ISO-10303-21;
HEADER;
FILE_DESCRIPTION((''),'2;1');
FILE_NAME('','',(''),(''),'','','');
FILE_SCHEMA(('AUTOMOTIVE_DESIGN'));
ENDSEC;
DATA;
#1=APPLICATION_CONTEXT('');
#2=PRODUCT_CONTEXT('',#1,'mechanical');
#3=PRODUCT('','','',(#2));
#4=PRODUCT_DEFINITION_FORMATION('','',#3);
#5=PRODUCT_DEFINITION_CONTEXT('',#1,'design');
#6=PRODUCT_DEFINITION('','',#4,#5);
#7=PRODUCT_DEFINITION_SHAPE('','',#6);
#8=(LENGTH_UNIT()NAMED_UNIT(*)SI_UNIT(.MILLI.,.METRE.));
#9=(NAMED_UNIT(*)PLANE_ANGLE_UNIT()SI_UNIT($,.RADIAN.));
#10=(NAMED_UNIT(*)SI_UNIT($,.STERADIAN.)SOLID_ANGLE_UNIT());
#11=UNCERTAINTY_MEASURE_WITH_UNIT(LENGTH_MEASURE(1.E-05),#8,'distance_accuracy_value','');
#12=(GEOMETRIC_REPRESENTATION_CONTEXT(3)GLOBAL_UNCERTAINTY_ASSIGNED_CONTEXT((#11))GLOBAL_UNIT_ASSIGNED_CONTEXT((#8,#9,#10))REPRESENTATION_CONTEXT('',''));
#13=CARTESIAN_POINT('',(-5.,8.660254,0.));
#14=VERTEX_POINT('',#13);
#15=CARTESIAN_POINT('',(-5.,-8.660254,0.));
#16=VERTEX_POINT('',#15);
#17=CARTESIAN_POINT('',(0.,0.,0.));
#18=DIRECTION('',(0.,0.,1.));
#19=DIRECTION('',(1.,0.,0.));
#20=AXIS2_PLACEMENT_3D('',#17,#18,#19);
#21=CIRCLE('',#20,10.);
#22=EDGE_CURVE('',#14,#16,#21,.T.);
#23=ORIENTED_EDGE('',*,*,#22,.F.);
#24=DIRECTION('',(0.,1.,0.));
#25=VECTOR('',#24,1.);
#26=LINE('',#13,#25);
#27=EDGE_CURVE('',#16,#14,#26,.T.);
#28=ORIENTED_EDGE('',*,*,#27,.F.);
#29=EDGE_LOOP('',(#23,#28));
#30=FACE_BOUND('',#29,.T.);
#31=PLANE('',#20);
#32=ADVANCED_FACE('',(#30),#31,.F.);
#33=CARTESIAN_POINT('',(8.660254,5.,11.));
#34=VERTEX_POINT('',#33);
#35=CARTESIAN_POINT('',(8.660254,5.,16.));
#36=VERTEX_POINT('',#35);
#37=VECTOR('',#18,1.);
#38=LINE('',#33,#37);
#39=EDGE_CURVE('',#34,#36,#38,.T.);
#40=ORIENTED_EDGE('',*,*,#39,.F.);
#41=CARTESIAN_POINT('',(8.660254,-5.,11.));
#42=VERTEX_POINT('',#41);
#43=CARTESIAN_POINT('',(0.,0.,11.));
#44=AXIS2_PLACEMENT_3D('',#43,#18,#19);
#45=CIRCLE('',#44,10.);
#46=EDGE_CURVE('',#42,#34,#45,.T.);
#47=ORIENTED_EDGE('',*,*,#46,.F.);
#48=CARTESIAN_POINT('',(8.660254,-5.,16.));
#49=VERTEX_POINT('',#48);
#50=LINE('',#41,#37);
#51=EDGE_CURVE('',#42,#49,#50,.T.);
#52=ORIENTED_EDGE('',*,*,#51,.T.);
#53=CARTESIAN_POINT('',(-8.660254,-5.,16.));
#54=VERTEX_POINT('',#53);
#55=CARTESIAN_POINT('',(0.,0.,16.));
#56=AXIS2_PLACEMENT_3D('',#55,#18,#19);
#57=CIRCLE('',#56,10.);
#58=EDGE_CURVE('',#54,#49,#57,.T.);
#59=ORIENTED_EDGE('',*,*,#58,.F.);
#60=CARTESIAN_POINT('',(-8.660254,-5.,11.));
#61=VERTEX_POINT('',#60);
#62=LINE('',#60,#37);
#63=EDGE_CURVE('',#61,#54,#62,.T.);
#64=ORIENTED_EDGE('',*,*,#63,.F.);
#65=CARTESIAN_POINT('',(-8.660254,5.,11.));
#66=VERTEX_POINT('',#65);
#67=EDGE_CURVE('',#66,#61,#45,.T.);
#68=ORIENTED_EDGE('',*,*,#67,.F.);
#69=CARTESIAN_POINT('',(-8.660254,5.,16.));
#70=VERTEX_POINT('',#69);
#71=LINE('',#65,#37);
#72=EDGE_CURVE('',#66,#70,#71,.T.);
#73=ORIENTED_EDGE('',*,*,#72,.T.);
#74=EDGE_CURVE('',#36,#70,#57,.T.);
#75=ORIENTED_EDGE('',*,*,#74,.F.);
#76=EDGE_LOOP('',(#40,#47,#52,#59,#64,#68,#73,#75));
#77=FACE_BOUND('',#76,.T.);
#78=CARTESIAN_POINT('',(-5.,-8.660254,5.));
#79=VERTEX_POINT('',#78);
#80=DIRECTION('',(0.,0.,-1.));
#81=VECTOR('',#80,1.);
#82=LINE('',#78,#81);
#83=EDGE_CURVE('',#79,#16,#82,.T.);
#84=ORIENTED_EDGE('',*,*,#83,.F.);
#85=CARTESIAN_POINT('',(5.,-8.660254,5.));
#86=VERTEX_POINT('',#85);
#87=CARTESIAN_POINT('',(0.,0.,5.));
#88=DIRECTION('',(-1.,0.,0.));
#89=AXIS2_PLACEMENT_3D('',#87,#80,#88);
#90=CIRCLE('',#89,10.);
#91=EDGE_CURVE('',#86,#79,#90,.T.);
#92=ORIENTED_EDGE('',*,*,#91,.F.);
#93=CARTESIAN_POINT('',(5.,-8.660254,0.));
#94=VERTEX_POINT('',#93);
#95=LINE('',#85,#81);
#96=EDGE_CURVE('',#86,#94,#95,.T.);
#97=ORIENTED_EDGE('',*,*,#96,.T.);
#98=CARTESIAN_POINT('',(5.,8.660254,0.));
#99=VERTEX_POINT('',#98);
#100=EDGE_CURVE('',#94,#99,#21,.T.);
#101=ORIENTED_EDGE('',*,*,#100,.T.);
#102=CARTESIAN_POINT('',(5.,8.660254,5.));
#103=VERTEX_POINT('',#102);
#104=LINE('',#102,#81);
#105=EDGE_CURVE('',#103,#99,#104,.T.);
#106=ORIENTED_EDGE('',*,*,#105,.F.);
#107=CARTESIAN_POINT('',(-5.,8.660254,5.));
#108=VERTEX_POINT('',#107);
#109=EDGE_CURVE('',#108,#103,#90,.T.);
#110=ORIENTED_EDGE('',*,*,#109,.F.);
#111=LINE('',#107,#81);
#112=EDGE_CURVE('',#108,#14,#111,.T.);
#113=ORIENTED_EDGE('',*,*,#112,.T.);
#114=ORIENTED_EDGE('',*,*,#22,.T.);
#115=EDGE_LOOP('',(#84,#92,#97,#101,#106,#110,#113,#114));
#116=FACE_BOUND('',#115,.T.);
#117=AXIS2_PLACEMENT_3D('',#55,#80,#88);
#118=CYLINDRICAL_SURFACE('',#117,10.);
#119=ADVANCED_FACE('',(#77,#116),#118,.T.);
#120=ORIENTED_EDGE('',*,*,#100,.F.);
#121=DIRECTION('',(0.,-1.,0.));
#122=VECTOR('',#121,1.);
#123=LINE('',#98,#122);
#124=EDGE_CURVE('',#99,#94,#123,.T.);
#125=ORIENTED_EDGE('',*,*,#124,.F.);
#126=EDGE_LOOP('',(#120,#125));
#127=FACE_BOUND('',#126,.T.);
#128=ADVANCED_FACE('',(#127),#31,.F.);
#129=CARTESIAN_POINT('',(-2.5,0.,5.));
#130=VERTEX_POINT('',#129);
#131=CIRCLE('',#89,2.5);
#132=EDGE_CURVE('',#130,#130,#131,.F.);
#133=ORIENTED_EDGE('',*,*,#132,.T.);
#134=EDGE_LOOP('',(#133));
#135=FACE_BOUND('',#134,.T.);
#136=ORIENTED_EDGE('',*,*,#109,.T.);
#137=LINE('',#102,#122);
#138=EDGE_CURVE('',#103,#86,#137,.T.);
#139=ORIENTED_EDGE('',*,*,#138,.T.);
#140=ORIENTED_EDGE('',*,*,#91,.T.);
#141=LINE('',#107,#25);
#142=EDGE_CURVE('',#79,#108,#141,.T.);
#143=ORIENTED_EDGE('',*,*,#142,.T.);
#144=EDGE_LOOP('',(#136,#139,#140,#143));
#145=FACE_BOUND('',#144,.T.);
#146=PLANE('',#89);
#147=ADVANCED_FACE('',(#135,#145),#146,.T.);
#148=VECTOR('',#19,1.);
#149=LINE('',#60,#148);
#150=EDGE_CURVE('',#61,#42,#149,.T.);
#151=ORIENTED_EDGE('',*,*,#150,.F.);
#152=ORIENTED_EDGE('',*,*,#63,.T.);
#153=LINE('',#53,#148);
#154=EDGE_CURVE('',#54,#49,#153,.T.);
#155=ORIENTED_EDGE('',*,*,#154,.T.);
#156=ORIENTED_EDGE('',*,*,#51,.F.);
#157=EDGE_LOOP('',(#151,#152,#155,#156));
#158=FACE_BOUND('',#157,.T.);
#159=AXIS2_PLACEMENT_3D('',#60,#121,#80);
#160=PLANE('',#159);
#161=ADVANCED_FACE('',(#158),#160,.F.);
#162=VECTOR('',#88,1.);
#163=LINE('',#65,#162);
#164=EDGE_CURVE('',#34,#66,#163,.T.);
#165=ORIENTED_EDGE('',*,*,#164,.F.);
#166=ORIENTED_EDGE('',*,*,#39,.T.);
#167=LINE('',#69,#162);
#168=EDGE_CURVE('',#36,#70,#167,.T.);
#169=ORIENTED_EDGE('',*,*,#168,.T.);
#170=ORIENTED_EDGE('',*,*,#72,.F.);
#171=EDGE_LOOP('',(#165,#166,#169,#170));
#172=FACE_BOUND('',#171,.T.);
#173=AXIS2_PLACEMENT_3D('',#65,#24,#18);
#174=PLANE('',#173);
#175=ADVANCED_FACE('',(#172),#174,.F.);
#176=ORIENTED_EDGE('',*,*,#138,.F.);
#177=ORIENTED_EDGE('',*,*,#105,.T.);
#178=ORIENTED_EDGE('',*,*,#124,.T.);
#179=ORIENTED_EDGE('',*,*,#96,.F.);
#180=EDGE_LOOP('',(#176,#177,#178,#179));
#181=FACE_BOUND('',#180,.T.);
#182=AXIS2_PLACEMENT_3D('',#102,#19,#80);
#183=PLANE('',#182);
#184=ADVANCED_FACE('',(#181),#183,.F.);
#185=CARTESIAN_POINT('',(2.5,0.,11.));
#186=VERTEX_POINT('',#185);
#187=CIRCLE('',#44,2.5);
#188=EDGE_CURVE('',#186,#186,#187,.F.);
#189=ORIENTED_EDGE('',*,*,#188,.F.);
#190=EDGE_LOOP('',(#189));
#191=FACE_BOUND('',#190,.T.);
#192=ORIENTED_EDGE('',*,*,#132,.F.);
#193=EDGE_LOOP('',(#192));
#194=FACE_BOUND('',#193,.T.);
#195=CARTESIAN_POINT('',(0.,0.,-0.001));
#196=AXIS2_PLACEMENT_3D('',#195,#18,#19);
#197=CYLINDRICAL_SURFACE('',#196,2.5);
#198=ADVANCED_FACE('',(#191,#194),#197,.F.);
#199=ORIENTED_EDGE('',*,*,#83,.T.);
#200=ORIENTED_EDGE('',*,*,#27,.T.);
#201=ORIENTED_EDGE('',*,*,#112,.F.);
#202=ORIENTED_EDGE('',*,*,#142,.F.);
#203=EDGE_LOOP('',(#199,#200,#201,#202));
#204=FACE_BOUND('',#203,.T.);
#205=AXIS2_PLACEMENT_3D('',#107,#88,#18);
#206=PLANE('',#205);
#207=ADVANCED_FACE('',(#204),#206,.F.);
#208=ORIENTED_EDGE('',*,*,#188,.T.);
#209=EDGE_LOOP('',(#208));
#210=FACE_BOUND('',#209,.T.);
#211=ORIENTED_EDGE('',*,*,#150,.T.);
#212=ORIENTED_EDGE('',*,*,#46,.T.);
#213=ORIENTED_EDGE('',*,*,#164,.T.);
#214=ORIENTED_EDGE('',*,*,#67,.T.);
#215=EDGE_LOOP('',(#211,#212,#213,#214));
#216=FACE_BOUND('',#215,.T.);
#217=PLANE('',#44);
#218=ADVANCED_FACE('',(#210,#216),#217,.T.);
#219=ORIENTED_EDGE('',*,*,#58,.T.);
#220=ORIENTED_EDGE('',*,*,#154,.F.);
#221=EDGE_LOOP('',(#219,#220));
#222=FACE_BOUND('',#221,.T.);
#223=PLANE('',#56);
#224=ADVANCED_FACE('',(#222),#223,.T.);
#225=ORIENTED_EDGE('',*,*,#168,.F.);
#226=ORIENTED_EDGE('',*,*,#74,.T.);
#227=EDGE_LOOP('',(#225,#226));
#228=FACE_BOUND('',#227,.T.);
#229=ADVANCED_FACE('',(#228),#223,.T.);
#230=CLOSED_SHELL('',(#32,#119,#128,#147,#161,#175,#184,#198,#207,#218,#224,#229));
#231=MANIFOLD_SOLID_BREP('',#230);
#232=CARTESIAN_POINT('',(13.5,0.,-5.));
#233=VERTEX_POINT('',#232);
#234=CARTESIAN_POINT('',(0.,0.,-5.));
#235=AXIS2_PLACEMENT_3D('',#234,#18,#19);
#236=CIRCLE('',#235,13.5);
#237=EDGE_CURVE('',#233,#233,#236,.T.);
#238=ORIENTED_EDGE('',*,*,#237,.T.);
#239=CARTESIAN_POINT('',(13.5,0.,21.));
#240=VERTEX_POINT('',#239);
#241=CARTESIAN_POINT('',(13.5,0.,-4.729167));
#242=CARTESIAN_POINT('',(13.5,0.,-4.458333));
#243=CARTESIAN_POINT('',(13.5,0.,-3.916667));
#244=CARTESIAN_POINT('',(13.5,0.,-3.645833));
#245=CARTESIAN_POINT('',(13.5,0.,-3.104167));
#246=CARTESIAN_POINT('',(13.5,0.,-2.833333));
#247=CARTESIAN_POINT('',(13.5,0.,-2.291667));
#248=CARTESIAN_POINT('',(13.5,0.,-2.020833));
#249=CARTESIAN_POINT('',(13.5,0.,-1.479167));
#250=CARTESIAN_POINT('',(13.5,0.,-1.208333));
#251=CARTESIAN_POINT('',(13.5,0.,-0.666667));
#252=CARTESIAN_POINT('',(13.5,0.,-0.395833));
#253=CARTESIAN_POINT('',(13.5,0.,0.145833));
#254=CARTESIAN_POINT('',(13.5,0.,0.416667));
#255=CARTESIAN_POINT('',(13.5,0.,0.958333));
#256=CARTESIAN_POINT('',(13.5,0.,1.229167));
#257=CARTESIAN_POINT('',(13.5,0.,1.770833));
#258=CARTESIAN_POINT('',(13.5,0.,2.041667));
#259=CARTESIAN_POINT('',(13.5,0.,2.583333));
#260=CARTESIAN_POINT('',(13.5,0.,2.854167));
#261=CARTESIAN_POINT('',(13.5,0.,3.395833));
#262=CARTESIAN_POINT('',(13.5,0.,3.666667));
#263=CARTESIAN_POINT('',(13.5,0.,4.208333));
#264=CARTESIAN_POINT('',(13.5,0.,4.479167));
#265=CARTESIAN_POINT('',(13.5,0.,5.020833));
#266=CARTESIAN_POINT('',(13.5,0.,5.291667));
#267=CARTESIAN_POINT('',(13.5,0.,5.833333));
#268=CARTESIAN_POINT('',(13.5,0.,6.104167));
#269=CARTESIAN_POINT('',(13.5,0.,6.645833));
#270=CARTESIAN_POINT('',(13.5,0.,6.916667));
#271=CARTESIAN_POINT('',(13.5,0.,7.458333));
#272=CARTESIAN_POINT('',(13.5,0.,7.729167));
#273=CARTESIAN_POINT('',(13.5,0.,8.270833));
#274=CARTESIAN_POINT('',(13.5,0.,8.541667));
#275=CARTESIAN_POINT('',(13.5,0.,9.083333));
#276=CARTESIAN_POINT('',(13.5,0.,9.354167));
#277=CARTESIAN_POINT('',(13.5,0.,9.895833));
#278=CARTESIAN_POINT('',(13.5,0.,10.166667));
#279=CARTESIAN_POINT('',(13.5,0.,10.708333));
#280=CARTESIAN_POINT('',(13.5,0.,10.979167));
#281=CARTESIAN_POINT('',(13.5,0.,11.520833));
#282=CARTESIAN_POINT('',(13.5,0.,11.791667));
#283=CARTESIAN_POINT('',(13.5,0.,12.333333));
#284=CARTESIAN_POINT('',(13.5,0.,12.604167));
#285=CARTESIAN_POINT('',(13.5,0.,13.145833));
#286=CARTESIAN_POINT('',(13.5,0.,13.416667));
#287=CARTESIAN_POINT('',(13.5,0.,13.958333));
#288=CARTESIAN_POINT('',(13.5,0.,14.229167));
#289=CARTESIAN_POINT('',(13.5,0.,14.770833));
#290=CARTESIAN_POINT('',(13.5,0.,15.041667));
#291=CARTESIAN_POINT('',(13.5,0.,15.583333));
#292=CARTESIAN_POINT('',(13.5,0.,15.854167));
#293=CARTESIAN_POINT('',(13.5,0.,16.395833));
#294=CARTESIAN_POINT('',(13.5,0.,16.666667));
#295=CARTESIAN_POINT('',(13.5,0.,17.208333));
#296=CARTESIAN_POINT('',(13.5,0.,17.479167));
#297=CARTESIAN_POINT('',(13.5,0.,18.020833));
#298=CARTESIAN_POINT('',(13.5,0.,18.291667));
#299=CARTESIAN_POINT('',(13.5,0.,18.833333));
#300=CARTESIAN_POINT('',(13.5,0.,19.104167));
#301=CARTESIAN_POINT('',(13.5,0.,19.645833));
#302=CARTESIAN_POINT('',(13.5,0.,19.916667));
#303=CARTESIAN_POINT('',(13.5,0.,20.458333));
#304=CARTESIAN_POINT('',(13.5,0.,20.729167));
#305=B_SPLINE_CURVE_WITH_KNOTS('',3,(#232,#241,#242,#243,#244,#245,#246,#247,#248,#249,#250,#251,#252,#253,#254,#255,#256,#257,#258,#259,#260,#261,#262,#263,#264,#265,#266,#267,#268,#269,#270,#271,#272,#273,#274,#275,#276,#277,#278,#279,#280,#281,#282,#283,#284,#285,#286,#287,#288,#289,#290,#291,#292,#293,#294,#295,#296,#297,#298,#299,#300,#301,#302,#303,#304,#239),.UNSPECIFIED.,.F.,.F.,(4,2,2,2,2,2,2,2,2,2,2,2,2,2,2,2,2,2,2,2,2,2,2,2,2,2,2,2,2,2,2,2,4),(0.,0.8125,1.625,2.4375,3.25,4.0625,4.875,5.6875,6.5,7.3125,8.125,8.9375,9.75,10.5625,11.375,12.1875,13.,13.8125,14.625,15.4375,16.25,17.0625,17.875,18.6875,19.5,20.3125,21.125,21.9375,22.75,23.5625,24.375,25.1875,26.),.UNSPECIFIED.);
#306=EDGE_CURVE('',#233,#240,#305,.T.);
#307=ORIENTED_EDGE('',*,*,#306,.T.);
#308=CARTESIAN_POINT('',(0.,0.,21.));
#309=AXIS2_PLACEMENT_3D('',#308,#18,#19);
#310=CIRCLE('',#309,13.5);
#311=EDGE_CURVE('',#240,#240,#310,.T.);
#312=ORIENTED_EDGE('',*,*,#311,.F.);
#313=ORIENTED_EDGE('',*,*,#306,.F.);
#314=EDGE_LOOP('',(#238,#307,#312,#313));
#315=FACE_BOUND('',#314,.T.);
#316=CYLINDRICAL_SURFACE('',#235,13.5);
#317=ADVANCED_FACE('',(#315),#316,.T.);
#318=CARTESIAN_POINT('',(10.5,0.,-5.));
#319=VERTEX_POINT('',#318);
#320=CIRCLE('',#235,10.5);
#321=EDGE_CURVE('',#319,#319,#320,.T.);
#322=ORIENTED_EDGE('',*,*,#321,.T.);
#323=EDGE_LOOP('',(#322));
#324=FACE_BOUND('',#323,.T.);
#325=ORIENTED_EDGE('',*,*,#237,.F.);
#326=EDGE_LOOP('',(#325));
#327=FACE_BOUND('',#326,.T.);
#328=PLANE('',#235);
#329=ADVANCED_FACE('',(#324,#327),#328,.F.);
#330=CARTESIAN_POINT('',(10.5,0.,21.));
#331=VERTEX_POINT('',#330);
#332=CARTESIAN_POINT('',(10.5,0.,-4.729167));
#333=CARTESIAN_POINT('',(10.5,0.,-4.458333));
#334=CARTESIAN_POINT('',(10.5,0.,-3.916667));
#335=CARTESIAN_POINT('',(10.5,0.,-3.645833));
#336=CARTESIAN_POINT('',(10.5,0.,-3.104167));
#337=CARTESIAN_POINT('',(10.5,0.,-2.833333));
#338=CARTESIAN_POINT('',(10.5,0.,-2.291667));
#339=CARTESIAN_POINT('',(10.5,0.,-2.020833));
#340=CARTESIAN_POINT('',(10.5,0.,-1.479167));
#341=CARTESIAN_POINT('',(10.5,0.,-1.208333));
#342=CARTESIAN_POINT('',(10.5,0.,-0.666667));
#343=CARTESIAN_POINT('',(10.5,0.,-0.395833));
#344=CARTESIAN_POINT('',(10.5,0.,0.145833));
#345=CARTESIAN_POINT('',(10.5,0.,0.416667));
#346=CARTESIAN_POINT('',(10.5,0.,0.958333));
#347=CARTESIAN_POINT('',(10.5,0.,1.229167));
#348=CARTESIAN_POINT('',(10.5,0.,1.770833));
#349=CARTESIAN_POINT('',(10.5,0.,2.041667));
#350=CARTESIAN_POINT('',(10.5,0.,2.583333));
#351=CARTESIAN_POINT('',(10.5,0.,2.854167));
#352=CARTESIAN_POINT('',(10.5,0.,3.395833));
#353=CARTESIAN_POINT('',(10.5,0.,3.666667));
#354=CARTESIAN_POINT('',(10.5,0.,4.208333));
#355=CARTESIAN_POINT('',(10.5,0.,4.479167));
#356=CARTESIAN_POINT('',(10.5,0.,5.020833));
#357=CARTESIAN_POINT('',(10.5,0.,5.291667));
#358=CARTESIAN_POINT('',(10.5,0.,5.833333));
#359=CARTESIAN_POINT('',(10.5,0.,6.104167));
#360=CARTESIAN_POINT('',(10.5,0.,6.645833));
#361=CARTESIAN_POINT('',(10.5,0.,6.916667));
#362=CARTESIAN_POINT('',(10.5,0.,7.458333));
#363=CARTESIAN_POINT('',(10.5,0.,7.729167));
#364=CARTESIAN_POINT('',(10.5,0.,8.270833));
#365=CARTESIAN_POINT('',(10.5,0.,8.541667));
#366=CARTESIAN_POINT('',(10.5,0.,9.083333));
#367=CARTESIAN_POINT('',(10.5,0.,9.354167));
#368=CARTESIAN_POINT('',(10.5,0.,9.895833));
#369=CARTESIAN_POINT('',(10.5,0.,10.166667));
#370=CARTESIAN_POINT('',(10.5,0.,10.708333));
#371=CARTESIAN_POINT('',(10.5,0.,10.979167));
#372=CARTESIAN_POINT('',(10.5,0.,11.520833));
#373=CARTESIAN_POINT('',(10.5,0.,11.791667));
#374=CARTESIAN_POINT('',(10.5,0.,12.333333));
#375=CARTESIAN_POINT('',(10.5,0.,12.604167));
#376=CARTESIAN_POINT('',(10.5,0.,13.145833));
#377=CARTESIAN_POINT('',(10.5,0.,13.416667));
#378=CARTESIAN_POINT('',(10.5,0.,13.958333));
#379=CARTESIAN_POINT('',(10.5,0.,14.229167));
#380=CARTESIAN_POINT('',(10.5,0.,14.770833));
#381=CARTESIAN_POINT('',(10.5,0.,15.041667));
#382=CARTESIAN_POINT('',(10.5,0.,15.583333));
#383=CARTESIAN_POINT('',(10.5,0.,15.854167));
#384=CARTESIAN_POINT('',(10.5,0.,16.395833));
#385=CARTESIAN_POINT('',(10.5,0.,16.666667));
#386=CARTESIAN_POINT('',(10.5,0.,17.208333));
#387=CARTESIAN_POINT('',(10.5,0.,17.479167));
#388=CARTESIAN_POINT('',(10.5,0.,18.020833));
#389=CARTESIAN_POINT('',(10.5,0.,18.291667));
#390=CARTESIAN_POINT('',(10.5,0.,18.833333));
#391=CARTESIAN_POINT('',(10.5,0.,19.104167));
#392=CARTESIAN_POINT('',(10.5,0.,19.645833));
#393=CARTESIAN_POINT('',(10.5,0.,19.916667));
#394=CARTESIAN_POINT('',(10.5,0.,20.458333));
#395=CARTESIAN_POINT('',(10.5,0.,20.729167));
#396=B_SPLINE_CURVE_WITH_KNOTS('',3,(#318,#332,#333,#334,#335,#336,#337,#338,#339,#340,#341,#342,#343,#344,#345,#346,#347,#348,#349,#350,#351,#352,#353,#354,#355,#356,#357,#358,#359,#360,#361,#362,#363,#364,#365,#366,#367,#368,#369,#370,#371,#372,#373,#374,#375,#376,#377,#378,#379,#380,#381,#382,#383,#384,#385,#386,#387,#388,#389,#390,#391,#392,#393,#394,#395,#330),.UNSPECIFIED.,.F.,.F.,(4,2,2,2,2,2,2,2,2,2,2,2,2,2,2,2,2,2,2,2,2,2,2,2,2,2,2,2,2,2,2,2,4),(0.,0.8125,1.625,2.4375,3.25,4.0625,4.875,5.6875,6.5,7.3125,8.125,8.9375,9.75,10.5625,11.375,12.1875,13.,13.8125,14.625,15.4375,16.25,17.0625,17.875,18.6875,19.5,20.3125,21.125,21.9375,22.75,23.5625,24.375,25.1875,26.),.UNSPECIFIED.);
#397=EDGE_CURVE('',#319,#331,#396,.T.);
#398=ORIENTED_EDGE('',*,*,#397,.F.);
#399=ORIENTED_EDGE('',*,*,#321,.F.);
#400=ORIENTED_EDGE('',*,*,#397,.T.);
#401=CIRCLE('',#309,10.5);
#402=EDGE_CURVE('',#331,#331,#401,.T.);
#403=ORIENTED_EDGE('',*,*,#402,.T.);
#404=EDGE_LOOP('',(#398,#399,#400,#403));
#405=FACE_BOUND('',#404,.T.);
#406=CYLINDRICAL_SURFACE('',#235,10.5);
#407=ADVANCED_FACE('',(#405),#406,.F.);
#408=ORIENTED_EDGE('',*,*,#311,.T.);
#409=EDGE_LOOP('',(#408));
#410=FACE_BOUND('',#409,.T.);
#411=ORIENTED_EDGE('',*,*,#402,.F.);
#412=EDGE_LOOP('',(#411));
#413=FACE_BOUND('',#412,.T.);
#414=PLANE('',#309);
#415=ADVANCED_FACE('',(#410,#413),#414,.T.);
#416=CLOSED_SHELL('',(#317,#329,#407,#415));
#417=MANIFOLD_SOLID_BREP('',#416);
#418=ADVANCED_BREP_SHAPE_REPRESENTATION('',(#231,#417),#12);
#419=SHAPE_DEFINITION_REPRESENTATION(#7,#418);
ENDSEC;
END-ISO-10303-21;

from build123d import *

# Parameters (mm, degrees)
ESBO_O1_R                    = 10
RESSALTO_EXTRUS_O1_DEPTH     = 16
CORTE_EXTRUS_O3_REACH        = 23.354
ESBO_O5_R                    = 2.5
CORTE_EXTRUS_O1_START        = -5
CORTE_EXTRUS_O1_DEPTH        = 5
CORTE_EXTRUS_O2_DEPTH        = 5
SALIENTE_EXTRUIR1_DEPTH      = 5
SALIENTE_EXTRUIR1_DEPTH_BACK = 21
CROQUIS1_R                   = 13.5
CROQUIS1_R_2                 = 10.5


with BuildPart() as part:
    # Esboço1 → Ressalto-extrusão1 (new body)
    with BuildSketch(Plane.XY):
        Circle(ESBO_O1_R)
    extrude(amount=RESSALTO_EXTRUS_O1_DEPTH)

    # Esboço5 → Corte-extrusão3 (cut, up to next)
    with BuildSketch(Plane.XY.offset(16), mode=Mode.PRIVATE) as corte_extrus_o3_sk1:
        Circle(ESBO_O5_R)
    corte_extrus_o3_tool1 = extrude(corte_extrus_o3_sk1.sketch, amount=-CORTE_EXTRUS_O3_REACH, mode=Mode.PRIVATE) & part.part
    add(corte_extrus_o3_tool1.solids().sort_by_distance((0, 0, 16))[0], mode=Mode.SUBTRACT)

    # Esboço2 → Corte-extrusão1 (cut)
    with BuildSketch(Plane.XY.offset(16).offset(CORTE_EXTRUS_O1_START)):
        with BuildLine():
            Line((-8.660254038, 5), (8.660254038, 5))
            ThreePointArc((8.660254038, 5), (10, 0), (8.660254038, -5))
            Line((8.660254038, -5), (-8.660254038, -5))
            ThreePointArc((-8.660254038, -5), (-10, 0), (-8.660254038, 5))
        make_face()
    extrude(amount=CORTE_EXTRUS_O1_DEPTH, mode=Mode.SUBTRACT)

    # Esboço4 → Corte-extrusão2 (cut)
    with BuildSketch(Plane(origin=(0, 0, 0), x_dir=(-1, 0, 0), z_dir=(0, 0, -1))):
        with BuildLine():
            Line((-5, 8.660254038), (-5, -8.660254038))
            ThreePointArc((-5, -8.660254038), (0, -10), (5, -8.660254038))
            Line((5, -8.660254038), (5, 8.660254038))
            ThreePointArc((5, 8.660254038), (0, 10), (-5, 8.660254038))
        make_face()
    extrude(amount=-CORTE_EXTRUS_O2_DEPTH, mode=Mode.SUBTRACT)


with BuildPart() as body_2:
    # Croquis1 → Saliente-Extruir1 (new, two sides: drawn at the far end of the back side and taken through both)
    with BuildSketch(Plane.XY.offset(16).offset(-SALIENTE_EXTRUIR1_DEPTH_BACK)):
        Circle(CROQUIS1_R)
        Circle(CROQUIS1_R_2, mode=Mode.SUBTRACT)
    extrude(amount=SALIENTE_EXTRUIR1_DEPTH + SALIENTE_EXTRUIR1_DEPTH_BACK)


solid = Compound([part.part, body_2.part])
